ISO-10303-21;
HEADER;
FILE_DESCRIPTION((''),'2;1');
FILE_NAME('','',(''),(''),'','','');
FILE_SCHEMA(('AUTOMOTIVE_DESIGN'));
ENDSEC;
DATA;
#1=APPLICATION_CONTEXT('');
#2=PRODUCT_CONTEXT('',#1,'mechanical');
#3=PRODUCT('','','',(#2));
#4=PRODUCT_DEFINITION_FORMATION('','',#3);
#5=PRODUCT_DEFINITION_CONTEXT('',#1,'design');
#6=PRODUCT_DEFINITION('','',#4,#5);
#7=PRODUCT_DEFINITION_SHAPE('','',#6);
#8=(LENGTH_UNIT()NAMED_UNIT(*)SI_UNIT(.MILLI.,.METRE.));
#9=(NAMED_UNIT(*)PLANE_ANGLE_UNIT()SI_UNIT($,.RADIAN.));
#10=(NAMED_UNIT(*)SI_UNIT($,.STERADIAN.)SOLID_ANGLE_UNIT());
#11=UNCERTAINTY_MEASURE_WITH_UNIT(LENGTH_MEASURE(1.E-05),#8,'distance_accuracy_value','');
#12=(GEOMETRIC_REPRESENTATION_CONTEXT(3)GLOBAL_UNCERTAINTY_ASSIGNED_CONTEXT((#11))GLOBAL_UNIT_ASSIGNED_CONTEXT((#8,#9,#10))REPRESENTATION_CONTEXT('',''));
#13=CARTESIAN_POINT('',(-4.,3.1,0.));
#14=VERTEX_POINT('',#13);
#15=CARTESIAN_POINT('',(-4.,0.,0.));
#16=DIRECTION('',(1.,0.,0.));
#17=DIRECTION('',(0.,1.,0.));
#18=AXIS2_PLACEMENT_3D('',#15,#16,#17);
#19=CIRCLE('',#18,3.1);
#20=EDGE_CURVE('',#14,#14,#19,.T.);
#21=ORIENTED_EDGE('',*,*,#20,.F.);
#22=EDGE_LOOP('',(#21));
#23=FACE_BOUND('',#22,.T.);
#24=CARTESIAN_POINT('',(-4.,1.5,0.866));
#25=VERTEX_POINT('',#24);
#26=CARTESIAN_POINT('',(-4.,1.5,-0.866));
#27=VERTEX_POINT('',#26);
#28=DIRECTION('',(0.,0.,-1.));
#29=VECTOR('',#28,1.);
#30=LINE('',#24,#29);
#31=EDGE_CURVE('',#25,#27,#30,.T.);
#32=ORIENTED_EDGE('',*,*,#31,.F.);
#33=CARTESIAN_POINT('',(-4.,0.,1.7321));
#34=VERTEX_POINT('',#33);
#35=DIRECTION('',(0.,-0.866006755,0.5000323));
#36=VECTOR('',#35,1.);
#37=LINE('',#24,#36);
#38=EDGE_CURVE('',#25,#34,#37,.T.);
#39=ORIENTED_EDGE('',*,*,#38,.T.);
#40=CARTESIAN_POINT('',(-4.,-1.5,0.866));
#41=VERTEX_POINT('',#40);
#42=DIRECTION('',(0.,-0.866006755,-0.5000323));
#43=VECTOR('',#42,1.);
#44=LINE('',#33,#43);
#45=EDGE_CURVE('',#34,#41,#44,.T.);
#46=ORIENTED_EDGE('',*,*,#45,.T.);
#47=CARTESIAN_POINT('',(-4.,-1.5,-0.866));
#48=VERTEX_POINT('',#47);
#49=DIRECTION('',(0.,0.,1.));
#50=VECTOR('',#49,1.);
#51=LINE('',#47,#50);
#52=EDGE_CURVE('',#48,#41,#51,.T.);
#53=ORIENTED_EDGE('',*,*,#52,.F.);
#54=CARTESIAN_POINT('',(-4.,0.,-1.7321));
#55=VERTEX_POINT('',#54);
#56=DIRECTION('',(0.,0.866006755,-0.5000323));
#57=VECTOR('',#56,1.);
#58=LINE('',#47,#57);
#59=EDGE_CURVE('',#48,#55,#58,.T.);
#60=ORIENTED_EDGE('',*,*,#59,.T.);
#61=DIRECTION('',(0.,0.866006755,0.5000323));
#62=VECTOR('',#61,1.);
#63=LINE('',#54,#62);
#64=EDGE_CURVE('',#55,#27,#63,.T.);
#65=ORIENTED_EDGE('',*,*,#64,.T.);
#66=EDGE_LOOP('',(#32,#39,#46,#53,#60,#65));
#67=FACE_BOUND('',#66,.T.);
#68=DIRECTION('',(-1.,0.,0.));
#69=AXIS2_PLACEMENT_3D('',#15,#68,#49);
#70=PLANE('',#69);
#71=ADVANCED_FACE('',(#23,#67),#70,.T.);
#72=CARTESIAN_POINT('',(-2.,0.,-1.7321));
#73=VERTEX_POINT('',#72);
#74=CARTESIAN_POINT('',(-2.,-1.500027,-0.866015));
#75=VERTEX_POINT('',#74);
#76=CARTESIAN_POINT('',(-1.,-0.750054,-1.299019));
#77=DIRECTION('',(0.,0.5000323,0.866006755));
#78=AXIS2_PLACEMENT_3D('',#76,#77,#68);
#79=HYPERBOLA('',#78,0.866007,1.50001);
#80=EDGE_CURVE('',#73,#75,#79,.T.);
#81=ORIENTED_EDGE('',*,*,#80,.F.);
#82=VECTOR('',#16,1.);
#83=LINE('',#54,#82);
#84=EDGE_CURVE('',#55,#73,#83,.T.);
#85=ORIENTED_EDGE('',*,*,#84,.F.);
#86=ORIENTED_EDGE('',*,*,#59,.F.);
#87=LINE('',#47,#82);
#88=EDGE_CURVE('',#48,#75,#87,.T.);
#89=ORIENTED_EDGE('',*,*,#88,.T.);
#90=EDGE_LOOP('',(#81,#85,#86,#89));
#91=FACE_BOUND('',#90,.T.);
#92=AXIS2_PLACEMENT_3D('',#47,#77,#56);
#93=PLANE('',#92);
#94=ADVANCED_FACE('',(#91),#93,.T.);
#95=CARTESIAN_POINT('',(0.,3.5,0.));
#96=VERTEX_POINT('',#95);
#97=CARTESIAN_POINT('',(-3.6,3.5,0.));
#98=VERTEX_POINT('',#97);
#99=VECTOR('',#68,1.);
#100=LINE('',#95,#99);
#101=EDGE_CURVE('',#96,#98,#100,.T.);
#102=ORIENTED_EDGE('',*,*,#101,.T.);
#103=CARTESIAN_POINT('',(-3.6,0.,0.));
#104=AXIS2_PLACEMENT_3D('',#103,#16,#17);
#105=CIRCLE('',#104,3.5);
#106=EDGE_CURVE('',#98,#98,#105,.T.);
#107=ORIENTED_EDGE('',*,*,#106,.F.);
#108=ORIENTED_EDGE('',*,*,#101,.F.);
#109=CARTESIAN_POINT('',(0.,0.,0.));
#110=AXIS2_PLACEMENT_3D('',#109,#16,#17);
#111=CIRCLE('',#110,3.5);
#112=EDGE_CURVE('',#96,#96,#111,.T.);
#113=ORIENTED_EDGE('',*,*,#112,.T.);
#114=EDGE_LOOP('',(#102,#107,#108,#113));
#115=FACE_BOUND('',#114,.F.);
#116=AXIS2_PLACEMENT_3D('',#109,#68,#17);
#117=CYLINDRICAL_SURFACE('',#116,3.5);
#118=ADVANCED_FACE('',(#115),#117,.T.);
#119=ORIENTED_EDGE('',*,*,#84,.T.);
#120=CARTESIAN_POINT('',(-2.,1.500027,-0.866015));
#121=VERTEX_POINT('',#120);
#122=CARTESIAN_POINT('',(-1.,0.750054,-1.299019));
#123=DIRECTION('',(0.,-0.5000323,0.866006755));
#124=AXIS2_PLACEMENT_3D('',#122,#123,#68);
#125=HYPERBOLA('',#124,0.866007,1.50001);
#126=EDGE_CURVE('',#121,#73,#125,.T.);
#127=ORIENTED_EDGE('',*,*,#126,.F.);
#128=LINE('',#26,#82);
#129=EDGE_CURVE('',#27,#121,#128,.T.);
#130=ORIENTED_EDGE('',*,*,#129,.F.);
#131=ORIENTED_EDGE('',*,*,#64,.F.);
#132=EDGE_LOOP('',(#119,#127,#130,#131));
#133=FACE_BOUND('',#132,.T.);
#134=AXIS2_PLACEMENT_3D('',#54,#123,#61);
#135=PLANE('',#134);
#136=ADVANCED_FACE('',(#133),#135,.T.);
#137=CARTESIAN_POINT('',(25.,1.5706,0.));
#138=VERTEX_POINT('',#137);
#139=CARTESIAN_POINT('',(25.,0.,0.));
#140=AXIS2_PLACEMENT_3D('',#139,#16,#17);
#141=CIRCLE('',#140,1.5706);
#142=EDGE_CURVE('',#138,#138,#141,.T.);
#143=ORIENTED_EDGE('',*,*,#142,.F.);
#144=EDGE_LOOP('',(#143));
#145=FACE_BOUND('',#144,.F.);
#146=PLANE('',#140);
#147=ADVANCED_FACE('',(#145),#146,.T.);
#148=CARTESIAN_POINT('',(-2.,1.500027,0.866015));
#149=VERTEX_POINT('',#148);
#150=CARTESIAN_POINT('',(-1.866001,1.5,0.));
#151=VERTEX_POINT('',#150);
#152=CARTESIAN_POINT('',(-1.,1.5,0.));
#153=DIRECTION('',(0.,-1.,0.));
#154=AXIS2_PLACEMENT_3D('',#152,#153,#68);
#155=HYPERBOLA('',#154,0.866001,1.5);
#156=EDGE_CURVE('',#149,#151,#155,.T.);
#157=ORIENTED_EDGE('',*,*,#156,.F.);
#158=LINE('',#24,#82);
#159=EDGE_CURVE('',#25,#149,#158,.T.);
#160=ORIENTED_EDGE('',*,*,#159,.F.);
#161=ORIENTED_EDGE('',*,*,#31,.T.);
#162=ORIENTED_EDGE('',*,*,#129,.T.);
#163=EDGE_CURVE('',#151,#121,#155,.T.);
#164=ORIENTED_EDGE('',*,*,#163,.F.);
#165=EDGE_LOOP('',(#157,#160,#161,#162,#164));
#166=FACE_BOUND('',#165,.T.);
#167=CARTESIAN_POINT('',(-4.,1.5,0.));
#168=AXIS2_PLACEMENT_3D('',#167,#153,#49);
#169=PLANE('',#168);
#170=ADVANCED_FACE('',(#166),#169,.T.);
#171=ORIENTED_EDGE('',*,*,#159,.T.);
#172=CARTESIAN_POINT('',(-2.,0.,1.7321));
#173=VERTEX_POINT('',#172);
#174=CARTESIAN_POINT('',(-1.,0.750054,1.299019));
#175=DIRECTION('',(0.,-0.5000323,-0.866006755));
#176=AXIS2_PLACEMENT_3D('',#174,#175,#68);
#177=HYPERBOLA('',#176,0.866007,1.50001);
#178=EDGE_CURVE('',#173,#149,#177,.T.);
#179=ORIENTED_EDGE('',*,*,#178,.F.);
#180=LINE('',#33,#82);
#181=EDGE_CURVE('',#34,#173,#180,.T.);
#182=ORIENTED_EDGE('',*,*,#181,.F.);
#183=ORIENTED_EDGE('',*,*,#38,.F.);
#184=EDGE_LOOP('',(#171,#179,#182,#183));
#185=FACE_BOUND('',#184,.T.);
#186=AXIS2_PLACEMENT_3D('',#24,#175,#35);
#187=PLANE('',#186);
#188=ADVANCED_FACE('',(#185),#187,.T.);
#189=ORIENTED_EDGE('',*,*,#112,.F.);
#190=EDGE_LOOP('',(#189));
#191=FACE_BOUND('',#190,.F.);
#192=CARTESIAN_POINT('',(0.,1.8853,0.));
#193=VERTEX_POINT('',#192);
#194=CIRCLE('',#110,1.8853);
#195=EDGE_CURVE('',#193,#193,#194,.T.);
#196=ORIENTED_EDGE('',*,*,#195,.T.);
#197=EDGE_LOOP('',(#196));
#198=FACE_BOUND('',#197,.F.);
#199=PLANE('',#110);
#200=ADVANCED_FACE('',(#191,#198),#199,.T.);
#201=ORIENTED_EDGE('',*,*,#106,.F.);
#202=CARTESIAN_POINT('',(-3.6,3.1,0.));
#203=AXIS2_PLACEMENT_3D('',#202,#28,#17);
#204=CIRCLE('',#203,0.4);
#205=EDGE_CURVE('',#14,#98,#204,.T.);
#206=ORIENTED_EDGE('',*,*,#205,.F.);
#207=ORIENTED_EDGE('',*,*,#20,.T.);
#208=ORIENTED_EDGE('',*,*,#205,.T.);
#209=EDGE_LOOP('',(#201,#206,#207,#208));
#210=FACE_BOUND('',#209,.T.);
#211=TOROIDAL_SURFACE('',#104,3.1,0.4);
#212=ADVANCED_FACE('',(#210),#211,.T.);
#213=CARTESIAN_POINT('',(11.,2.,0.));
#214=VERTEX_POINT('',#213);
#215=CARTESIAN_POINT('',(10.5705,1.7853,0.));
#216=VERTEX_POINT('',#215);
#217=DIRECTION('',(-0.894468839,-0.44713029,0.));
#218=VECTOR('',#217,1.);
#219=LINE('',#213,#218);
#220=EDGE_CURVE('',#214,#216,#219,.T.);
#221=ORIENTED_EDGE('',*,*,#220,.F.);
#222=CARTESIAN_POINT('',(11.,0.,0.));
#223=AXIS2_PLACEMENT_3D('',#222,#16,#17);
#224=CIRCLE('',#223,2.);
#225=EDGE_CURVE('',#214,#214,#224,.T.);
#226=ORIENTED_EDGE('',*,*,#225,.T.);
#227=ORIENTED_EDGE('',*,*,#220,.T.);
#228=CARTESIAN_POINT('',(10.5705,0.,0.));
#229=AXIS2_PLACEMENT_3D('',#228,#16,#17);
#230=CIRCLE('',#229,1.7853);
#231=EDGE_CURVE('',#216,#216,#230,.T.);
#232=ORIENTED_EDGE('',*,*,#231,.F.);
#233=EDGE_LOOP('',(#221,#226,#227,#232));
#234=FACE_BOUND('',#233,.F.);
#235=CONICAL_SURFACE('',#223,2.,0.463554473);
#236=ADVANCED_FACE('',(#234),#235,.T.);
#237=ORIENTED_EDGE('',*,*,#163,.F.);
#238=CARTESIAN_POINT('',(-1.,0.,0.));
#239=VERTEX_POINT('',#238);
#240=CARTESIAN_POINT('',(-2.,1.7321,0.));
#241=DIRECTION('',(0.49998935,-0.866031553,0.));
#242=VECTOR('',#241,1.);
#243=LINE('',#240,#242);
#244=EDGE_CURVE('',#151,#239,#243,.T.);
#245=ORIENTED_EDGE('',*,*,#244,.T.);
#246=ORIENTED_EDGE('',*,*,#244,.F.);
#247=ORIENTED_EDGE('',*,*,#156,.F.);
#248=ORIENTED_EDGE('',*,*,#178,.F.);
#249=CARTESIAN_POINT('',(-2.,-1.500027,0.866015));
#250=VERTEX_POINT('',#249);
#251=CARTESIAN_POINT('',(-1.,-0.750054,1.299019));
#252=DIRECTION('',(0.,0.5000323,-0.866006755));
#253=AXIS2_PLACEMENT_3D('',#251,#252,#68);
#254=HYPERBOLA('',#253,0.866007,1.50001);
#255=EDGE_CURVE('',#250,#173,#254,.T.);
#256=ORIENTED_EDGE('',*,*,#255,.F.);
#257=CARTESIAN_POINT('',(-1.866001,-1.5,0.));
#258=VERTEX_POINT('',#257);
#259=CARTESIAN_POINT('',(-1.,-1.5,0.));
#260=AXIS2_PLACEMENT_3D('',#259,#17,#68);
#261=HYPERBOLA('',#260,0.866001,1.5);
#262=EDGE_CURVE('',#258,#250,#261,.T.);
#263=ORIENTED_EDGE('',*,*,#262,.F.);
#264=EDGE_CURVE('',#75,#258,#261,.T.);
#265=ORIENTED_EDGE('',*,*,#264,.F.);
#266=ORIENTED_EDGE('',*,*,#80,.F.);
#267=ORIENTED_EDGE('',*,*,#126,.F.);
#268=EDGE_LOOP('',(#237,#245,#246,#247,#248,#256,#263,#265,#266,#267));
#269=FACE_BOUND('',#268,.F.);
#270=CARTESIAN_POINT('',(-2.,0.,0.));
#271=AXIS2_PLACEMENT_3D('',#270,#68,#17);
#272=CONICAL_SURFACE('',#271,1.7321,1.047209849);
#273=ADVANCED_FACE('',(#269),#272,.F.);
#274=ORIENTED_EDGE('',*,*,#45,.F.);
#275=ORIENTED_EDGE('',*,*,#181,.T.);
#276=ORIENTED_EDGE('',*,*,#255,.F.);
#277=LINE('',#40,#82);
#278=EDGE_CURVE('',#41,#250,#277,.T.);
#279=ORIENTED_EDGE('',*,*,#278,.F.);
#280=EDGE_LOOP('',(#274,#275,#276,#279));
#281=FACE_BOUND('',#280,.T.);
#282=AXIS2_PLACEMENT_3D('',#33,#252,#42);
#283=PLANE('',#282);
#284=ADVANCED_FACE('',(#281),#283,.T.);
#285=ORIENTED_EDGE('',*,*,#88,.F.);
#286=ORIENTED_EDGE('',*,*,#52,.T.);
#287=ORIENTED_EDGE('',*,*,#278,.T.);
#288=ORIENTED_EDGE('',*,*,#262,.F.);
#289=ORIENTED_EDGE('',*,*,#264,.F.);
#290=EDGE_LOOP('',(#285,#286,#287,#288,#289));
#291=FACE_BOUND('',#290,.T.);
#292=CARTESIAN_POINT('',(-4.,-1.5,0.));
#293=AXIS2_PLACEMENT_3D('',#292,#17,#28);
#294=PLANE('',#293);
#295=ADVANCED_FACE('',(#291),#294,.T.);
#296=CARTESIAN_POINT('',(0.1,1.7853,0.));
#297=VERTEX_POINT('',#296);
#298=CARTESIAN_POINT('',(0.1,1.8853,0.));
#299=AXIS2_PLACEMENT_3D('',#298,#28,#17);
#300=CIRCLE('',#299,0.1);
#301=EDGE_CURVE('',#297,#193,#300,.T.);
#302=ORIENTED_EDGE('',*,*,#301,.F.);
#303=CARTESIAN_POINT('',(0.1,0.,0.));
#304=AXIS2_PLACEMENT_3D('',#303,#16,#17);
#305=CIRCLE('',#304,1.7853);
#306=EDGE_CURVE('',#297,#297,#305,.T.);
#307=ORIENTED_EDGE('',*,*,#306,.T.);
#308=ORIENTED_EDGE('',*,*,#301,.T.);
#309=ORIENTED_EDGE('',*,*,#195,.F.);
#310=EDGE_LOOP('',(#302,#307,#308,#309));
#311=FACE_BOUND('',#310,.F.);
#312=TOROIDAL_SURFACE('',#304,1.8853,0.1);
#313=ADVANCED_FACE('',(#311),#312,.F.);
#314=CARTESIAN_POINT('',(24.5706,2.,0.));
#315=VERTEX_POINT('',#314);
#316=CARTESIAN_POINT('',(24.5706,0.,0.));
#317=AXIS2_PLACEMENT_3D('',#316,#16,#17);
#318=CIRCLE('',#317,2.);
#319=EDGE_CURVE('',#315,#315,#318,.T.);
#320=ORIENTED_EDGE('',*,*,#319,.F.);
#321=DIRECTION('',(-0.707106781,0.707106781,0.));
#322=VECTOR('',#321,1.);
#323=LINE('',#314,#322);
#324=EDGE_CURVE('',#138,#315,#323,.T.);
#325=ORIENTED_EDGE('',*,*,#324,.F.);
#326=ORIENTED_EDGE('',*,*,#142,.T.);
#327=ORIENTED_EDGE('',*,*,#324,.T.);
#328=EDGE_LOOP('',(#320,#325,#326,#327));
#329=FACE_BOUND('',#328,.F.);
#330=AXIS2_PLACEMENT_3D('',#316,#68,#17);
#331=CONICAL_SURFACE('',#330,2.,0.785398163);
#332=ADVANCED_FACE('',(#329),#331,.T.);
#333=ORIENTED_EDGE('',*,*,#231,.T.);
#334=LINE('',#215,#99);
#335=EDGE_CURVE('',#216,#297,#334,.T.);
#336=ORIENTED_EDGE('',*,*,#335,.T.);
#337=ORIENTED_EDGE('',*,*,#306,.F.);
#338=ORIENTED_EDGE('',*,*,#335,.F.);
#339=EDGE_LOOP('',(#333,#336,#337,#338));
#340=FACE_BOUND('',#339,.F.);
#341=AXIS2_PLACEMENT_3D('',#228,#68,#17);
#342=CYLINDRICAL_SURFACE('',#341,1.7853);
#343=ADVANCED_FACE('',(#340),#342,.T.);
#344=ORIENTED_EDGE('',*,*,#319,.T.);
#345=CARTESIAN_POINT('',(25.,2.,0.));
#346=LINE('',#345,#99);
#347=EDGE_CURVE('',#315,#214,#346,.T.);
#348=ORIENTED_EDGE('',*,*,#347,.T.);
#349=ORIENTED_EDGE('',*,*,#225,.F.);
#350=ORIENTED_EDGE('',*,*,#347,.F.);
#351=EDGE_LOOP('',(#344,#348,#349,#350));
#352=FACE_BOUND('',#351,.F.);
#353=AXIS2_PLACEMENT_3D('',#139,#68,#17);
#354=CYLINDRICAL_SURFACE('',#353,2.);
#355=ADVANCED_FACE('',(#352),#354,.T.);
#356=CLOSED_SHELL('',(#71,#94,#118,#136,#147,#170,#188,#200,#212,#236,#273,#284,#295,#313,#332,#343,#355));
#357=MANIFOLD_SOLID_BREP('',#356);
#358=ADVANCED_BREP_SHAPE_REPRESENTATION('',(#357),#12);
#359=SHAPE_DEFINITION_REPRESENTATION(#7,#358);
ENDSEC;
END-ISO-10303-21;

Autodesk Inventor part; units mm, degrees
ref_plane "YZ Plane" through (0, 0, 0) normal (1, 0, 0) x (0, 1, 0)
ref_plane "XZ Plane" through (0, 0, 0) normal (0, 1, 0) x (-1, 0, 0)
sketch "Эскиз1" plane through (0, 0, 0) normal (0, 0, 1) x (1, 0, 0)
  line L0 (-1, 0) -> (25, 0)
  line L1 (25, 0) -> (25, 2)
  line L2 (25, 2) -> (11, 2)
  line L3 (11, 2) -> (10.5705, 1.7853)
  line L4 (10.5705, 1.7853) -> (0, 1.7853)
  line L5 (0, 1.7853) -> (0, 3.5)
  line L6 (0, 3.5) -> (-4, 3.5)
  line L7 (-4, 3.5) -> (-4, 1.7321)
  line L8 (-4, 1.7321) -> (-2, 1.7321)
  line L9 (-2, 1.7321) -> (-1, 0)
  line L10 (-9.8, 0) -> (30.8, 0) projected
  line L11 (0, -0.7) -> (0, 4.2) projected
  line L12 (11, 2) -> (0, 2) construction
  dimension "d1" = 14
  dimension "d2" = 0.4295
  dimension "d3" = 4
  dimension "d4" = 2
  dimension "d5" = 60
  dimension "d6" = 4
  dimension "d7" = 3.5705
  dimension "d8" = 3.4641
  dimension "d9" = 7
  dimension "d26" = 25
revolve "Базовый элемент" add sketch "Эскиз1" angle 360 about axis through (-1, 0, 0) along (1, 0, 0)
sketch "Эскиз2" plane through (-4, 0, 0) normal (-1, 0, 0) x (0, 0, 1)
  circle A0 centre (0, 0) radius 1.7321 projected
  line L0 (0, -4.9) -> (0, 4.9) projected
  line L1 (-4.9, 0) -> (4.9, 0) projected
  line L2 (1.7321, 0) -> (0.866, -1.5)
  line L3 (0.866, -1.5) -> (-0.866, -1.5)
  line L4 (-0.866, -1.5) -> (-1.7321, 0)
  line L5 (-1.7321, 0) -> (-0.866, 1.5)
  line L6 (-0.866, 1.5) -> (0.866, 1.5)
  line L7 (0.866, 1.5) -> (1.7321, 0)
extrude "Паз" add sketch "Эскиз2" against normal up to next contours L7 A0 | A0 L2 | L6 L0 A0 | A0 L0 L3 | L0 L6 A0 | A0 L3 L0 | L4 A0 | A0 L5
fillet "Сопряжение1" radius 0.4 1 edges at (-4, -3.5, 0)
thread "Резьба" size "M4x0.7" class "6g" standard "ISO Metric profile" length 14
chamfer "Фаска1" distance 0.4294 distance2 0.4294 1 edges at (25, -2, 0) measured on face at (25, 0.6473, 0.1595)
ref_plane "Work Plane1" through (29, 0, 0) normal (0, -1, 0) x (1, 0, 0)
fillet "Fillet2" radius 0.1 1 edges at (0, -1.7853, 0)
equation "\"d1\" = GEL"
equation "\"d3\" = KOH"
equation "\"d4\" = INTI"
equation "\"d6\" = GD"
equation "\"d7\" = BDM"
equation "\"d8\" = 1.1547 * SW"
equation "\"d9\" = KOD"
equation "\"d26\" = NLG"
equation "\"d30\" = R"
equation "\"d17\" = RR"
equation "\"d13\" = GEL"
equation "\"d15\" = -0.5 * SPD + 0.5 * GD"
equation "\"d16\" = GUL"
equation "\"GD\" = NND"
equation "\"NLG\" = 25"
equation "\"GEL\" = 14"
equation "\"KOD\" = 7"
equation "\"KOH\" = NND"
equation "\"INTI\" = 2"
equation "\"GAL\" = 0.61345 * PTC"
equation "\"GUL\" = 0.61345 * PTC"
equation "\"BDM\" = 3.5705"
equation "\"SW\" = 3"
equation "\"RR\" = 0.4"
equation "\"SPD\" = NND - 1.2269 * PTC"
equation "\"R\" = 0.1"
equation "\"PHH\" = 0.4"
equation "\"GD1\" = THREADDIA - 1.2269 * PTC"
equation "\"THREADDIA\" = 4"
equation "\"FAWI\" = 45deg"
equation "\"PTC\" = 0.7"
equation "\"NND\" = 4"
equation "\"TOA\" = 30deg"
equation "\"E0\" = 1.155 * SW"
properties part number "CSN 02 1143 - M4 x 25" material "Сталь, мягкая"
